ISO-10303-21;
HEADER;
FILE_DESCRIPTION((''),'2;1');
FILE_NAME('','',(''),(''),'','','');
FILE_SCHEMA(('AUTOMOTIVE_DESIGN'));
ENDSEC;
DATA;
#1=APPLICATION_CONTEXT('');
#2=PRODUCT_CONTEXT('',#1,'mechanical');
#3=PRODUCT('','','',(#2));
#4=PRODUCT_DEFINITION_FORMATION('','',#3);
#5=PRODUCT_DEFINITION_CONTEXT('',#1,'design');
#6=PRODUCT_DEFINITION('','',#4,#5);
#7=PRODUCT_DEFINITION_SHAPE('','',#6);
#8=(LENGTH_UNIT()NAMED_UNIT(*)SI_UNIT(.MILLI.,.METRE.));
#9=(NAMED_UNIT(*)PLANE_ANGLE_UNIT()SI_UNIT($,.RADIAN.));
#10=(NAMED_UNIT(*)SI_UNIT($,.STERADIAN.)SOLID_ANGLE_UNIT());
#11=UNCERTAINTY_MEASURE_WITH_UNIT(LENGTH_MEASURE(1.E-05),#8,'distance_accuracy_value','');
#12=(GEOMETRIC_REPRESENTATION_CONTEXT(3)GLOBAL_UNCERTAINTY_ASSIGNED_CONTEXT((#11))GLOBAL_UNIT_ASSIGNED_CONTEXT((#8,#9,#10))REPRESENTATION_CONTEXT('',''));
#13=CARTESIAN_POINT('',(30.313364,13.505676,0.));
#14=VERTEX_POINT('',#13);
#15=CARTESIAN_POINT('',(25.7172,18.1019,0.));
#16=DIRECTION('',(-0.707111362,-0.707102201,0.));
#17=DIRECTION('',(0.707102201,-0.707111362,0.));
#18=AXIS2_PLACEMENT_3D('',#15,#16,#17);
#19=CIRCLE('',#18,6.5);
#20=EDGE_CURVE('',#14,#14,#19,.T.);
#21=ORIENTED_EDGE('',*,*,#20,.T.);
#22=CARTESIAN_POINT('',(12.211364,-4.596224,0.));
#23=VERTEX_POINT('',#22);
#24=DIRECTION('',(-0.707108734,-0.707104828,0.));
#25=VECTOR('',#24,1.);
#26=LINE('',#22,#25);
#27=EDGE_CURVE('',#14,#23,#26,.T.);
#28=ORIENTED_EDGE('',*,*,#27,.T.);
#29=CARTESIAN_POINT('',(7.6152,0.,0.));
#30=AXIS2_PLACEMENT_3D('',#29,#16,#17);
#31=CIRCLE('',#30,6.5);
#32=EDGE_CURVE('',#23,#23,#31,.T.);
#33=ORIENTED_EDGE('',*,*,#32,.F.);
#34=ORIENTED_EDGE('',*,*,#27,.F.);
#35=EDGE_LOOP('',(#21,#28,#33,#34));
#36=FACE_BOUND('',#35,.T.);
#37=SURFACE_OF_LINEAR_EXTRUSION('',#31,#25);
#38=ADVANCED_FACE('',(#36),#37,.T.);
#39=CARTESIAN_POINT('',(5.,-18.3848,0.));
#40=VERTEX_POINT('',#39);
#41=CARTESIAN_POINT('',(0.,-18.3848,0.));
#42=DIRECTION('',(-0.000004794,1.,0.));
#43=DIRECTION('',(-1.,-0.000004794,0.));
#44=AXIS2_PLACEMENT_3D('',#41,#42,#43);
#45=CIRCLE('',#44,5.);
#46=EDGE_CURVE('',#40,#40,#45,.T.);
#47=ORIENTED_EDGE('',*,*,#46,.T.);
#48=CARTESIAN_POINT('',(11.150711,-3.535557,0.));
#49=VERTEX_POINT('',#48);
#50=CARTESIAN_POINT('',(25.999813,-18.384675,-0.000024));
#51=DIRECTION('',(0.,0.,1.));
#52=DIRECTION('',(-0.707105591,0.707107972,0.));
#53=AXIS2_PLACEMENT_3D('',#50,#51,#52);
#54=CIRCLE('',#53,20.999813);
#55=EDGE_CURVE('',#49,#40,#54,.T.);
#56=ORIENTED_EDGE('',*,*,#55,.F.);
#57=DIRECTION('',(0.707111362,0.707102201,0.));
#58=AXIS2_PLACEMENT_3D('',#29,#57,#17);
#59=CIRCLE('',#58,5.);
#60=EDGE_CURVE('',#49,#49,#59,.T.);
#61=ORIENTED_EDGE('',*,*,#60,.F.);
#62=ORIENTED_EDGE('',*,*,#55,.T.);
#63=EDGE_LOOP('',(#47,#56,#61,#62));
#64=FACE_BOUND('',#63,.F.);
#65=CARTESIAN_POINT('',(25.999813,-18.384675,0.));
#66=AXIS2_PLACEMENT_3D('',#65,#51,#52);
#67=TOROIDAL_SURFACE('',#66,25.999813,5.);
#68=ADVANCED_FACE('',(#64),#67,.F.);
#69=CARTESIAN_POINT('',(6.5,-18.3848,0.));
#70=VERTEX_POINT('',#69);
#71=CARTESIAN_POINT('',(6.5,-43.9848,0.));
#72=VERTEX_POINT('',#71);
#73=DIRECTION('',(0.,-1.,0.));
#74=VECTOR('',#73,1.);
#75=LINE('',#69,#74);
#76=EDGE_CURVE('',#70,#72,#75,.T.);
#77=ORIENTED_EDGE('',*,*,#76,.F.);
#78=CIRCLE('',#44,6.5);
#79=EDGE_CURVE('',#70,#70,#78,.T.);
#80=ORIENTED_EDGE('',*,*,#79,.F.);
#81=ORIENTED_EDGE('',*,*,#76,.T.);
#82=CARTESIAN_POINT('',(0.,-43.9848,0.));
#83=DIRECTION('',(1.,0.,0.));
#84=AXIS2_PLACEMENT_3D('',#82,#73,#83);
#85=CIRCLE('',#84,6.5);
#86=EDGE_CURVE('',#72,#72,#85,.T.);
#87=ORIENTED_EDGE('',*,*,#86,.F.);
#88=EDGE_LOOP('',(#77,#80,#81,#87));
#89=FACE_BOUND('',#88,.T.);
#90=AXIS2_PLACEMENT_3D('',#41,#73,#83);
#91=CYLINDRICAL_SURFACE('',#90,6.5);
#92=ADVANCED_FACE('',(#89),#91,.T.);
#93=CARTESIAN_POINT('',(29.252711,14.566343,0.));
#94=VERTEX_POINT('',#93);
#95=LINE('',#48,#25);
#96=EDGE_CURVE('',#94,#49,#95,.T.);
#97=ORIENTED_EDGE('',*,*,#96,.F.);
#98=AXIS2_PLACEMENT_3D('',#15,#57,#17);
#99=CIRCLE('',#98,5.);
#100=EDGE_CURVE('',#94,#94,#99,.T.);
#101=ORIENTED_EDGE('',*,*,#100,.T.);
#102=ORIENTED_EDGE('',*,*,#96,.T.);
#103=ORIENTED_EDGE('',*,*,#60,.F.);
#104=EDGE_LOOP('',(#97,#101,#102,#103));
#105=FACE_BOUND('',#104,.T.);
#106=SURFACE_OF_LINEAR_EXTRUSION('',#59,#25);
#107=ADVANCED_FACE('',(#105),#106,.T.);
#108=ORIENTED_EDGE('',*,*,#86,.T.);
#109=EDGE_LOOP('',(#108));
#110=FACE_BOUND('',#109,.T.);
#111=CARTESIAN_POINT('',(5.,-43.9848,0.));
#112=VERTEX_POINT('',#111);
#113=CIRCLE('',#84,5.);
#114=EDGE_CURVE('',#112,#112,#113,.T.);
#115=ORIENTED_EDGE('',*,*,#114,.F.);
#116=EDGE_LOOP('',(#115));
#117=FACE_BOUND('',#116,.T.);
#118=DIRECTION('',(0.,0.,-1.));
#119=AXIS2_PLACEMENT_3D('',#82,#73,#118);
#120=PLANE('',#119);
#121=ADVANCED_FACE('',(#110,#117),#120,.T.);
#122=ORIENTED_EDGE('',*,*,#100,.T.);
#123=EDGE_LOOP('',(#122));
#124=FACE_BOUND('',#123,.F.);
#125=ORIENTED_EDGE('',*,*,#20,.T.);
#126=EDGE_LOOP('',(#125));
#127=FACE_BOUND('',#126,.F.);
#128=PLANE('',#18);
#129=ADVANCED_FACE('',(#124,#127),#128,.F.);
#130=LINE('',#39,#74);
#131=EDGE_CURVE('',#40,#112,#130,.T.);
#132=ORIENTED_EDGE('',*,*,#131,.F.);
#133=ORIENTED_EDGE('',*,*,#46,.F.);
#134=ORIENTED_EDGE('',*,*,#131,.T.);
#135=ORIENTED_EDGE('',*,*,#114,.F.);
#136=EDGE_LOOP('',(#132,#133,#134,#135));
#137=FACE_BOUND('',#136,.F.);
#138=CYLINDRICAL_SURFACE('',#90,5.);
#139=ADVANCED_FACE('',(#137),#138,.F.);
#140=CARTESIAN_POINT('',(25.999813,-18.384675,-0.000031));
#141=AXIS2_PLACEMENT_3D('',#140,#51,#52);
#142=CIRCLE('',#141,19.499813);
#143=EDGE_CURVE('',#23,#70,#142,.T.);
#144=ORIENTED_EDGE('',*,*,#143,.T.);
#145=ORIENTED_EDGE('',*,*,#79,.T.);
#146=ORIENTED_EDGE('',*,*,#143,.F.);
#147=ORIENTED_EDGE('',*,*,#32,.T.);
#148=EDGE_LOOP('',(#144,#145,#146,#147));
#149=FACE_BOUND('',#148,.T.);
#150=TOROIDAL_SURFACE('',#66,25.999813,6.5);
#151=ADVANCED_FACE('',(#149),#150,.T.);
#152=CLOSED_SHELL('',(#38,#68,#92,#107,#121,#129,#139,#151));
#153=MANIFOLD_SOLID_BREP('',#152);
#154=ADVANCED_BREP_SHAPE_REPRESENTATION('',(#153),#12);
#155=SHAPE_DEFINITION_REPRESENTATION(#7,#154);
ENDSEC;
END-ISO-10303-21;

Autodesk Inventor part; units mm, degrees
ref_plane "YZ Plane" through (0, 0, 0) normal (1, 0, 0) x (0, 1, 0)
ref_plane "XZ Plane" through (0, 0, 0) normal (0, 1, 0) x (-1, 0, 0)
sketch "Szkic6" plane through (0, 0, 0) normal (0, 0, 1) x (1, 0, 0)
  line L0 (-29.6067, 0) -> (35.2678, 0) construction
  line L1 (0, 42.3419) -> (0, -58.3726) construction
  arc A0 (7.6152, 0) -> (0, -18.3848) centre (26, -18.3848) ccw
  line L2 (0, -18.3848) -> (26, -18.3848) construction
  line L3 (26, -18.3848) -> (-20.3389, 27.9541) construction
  line L4 (7.6152, 0) -> (25.7172, 18.1019)
  line L5 (0, -18.3848) -> (0, -43.9848)
  point P0 (0, 0)
  dimension "d24" = 90
  dimension "d31" = 45
  dimension "d36" = 56.9571
  dimension "d37" = 56.9571
ref_plane "Płaszczyzna konstrukcyjna2" through (0, -18.3848, 0) normal (0, -1, 0) x (1, 0, 0)
sketch "Szkic8" plane through (0, -18.3848, 0) normal (0, -1, 0) x (1, 0, 0)
  circle A0 centre (0, 0) radius 6.5
  circle A1 centre (0, 0) radius 5
  dimension "d32" = 85
  dimension "d33" = 2
sweep "Przeciągnięcie2" add profiles "Szkic8" path "Szkic6"
equation "\"d32\" = OD"
equation "\"d33\" = THK"
equation "\"d24\" = R"
equation "\"d31\" = KAT"
equation "\"d36\" = PROSTKA"
equation "\"d37\" = PROSTKA"
equation "\"SzerokośćGięciaPodcięcia\" = Grubość"
equation "\"RozmiarPodcięciaNarożnika\" = 4 * Grubość"
equation "\"PromieńPrzejścia\" = PromieńGięcia"
equation "\"Rozmiar_promienia_Jacobiego\" = PromieńGięcia"
equation "\"Wielk_odstępu\" = Grubość"
equation "\"d2\" = PromieńGięcia"
equation "\"d23\" = PromieńGięcia"
equation "\"OD\" = 85"
equation "\"THK\" = 2"
equation "\"KAT\" = 45deg"
equation "\"PROSTKA\" = 56.95708"
equation "\"R\" = 90"
equation "\"Grubość\" = 1.5"
equation "\"PromieńGięcia\" = 3"
properties part number "Kolano 45° ø85x2 R90" material "304L"
